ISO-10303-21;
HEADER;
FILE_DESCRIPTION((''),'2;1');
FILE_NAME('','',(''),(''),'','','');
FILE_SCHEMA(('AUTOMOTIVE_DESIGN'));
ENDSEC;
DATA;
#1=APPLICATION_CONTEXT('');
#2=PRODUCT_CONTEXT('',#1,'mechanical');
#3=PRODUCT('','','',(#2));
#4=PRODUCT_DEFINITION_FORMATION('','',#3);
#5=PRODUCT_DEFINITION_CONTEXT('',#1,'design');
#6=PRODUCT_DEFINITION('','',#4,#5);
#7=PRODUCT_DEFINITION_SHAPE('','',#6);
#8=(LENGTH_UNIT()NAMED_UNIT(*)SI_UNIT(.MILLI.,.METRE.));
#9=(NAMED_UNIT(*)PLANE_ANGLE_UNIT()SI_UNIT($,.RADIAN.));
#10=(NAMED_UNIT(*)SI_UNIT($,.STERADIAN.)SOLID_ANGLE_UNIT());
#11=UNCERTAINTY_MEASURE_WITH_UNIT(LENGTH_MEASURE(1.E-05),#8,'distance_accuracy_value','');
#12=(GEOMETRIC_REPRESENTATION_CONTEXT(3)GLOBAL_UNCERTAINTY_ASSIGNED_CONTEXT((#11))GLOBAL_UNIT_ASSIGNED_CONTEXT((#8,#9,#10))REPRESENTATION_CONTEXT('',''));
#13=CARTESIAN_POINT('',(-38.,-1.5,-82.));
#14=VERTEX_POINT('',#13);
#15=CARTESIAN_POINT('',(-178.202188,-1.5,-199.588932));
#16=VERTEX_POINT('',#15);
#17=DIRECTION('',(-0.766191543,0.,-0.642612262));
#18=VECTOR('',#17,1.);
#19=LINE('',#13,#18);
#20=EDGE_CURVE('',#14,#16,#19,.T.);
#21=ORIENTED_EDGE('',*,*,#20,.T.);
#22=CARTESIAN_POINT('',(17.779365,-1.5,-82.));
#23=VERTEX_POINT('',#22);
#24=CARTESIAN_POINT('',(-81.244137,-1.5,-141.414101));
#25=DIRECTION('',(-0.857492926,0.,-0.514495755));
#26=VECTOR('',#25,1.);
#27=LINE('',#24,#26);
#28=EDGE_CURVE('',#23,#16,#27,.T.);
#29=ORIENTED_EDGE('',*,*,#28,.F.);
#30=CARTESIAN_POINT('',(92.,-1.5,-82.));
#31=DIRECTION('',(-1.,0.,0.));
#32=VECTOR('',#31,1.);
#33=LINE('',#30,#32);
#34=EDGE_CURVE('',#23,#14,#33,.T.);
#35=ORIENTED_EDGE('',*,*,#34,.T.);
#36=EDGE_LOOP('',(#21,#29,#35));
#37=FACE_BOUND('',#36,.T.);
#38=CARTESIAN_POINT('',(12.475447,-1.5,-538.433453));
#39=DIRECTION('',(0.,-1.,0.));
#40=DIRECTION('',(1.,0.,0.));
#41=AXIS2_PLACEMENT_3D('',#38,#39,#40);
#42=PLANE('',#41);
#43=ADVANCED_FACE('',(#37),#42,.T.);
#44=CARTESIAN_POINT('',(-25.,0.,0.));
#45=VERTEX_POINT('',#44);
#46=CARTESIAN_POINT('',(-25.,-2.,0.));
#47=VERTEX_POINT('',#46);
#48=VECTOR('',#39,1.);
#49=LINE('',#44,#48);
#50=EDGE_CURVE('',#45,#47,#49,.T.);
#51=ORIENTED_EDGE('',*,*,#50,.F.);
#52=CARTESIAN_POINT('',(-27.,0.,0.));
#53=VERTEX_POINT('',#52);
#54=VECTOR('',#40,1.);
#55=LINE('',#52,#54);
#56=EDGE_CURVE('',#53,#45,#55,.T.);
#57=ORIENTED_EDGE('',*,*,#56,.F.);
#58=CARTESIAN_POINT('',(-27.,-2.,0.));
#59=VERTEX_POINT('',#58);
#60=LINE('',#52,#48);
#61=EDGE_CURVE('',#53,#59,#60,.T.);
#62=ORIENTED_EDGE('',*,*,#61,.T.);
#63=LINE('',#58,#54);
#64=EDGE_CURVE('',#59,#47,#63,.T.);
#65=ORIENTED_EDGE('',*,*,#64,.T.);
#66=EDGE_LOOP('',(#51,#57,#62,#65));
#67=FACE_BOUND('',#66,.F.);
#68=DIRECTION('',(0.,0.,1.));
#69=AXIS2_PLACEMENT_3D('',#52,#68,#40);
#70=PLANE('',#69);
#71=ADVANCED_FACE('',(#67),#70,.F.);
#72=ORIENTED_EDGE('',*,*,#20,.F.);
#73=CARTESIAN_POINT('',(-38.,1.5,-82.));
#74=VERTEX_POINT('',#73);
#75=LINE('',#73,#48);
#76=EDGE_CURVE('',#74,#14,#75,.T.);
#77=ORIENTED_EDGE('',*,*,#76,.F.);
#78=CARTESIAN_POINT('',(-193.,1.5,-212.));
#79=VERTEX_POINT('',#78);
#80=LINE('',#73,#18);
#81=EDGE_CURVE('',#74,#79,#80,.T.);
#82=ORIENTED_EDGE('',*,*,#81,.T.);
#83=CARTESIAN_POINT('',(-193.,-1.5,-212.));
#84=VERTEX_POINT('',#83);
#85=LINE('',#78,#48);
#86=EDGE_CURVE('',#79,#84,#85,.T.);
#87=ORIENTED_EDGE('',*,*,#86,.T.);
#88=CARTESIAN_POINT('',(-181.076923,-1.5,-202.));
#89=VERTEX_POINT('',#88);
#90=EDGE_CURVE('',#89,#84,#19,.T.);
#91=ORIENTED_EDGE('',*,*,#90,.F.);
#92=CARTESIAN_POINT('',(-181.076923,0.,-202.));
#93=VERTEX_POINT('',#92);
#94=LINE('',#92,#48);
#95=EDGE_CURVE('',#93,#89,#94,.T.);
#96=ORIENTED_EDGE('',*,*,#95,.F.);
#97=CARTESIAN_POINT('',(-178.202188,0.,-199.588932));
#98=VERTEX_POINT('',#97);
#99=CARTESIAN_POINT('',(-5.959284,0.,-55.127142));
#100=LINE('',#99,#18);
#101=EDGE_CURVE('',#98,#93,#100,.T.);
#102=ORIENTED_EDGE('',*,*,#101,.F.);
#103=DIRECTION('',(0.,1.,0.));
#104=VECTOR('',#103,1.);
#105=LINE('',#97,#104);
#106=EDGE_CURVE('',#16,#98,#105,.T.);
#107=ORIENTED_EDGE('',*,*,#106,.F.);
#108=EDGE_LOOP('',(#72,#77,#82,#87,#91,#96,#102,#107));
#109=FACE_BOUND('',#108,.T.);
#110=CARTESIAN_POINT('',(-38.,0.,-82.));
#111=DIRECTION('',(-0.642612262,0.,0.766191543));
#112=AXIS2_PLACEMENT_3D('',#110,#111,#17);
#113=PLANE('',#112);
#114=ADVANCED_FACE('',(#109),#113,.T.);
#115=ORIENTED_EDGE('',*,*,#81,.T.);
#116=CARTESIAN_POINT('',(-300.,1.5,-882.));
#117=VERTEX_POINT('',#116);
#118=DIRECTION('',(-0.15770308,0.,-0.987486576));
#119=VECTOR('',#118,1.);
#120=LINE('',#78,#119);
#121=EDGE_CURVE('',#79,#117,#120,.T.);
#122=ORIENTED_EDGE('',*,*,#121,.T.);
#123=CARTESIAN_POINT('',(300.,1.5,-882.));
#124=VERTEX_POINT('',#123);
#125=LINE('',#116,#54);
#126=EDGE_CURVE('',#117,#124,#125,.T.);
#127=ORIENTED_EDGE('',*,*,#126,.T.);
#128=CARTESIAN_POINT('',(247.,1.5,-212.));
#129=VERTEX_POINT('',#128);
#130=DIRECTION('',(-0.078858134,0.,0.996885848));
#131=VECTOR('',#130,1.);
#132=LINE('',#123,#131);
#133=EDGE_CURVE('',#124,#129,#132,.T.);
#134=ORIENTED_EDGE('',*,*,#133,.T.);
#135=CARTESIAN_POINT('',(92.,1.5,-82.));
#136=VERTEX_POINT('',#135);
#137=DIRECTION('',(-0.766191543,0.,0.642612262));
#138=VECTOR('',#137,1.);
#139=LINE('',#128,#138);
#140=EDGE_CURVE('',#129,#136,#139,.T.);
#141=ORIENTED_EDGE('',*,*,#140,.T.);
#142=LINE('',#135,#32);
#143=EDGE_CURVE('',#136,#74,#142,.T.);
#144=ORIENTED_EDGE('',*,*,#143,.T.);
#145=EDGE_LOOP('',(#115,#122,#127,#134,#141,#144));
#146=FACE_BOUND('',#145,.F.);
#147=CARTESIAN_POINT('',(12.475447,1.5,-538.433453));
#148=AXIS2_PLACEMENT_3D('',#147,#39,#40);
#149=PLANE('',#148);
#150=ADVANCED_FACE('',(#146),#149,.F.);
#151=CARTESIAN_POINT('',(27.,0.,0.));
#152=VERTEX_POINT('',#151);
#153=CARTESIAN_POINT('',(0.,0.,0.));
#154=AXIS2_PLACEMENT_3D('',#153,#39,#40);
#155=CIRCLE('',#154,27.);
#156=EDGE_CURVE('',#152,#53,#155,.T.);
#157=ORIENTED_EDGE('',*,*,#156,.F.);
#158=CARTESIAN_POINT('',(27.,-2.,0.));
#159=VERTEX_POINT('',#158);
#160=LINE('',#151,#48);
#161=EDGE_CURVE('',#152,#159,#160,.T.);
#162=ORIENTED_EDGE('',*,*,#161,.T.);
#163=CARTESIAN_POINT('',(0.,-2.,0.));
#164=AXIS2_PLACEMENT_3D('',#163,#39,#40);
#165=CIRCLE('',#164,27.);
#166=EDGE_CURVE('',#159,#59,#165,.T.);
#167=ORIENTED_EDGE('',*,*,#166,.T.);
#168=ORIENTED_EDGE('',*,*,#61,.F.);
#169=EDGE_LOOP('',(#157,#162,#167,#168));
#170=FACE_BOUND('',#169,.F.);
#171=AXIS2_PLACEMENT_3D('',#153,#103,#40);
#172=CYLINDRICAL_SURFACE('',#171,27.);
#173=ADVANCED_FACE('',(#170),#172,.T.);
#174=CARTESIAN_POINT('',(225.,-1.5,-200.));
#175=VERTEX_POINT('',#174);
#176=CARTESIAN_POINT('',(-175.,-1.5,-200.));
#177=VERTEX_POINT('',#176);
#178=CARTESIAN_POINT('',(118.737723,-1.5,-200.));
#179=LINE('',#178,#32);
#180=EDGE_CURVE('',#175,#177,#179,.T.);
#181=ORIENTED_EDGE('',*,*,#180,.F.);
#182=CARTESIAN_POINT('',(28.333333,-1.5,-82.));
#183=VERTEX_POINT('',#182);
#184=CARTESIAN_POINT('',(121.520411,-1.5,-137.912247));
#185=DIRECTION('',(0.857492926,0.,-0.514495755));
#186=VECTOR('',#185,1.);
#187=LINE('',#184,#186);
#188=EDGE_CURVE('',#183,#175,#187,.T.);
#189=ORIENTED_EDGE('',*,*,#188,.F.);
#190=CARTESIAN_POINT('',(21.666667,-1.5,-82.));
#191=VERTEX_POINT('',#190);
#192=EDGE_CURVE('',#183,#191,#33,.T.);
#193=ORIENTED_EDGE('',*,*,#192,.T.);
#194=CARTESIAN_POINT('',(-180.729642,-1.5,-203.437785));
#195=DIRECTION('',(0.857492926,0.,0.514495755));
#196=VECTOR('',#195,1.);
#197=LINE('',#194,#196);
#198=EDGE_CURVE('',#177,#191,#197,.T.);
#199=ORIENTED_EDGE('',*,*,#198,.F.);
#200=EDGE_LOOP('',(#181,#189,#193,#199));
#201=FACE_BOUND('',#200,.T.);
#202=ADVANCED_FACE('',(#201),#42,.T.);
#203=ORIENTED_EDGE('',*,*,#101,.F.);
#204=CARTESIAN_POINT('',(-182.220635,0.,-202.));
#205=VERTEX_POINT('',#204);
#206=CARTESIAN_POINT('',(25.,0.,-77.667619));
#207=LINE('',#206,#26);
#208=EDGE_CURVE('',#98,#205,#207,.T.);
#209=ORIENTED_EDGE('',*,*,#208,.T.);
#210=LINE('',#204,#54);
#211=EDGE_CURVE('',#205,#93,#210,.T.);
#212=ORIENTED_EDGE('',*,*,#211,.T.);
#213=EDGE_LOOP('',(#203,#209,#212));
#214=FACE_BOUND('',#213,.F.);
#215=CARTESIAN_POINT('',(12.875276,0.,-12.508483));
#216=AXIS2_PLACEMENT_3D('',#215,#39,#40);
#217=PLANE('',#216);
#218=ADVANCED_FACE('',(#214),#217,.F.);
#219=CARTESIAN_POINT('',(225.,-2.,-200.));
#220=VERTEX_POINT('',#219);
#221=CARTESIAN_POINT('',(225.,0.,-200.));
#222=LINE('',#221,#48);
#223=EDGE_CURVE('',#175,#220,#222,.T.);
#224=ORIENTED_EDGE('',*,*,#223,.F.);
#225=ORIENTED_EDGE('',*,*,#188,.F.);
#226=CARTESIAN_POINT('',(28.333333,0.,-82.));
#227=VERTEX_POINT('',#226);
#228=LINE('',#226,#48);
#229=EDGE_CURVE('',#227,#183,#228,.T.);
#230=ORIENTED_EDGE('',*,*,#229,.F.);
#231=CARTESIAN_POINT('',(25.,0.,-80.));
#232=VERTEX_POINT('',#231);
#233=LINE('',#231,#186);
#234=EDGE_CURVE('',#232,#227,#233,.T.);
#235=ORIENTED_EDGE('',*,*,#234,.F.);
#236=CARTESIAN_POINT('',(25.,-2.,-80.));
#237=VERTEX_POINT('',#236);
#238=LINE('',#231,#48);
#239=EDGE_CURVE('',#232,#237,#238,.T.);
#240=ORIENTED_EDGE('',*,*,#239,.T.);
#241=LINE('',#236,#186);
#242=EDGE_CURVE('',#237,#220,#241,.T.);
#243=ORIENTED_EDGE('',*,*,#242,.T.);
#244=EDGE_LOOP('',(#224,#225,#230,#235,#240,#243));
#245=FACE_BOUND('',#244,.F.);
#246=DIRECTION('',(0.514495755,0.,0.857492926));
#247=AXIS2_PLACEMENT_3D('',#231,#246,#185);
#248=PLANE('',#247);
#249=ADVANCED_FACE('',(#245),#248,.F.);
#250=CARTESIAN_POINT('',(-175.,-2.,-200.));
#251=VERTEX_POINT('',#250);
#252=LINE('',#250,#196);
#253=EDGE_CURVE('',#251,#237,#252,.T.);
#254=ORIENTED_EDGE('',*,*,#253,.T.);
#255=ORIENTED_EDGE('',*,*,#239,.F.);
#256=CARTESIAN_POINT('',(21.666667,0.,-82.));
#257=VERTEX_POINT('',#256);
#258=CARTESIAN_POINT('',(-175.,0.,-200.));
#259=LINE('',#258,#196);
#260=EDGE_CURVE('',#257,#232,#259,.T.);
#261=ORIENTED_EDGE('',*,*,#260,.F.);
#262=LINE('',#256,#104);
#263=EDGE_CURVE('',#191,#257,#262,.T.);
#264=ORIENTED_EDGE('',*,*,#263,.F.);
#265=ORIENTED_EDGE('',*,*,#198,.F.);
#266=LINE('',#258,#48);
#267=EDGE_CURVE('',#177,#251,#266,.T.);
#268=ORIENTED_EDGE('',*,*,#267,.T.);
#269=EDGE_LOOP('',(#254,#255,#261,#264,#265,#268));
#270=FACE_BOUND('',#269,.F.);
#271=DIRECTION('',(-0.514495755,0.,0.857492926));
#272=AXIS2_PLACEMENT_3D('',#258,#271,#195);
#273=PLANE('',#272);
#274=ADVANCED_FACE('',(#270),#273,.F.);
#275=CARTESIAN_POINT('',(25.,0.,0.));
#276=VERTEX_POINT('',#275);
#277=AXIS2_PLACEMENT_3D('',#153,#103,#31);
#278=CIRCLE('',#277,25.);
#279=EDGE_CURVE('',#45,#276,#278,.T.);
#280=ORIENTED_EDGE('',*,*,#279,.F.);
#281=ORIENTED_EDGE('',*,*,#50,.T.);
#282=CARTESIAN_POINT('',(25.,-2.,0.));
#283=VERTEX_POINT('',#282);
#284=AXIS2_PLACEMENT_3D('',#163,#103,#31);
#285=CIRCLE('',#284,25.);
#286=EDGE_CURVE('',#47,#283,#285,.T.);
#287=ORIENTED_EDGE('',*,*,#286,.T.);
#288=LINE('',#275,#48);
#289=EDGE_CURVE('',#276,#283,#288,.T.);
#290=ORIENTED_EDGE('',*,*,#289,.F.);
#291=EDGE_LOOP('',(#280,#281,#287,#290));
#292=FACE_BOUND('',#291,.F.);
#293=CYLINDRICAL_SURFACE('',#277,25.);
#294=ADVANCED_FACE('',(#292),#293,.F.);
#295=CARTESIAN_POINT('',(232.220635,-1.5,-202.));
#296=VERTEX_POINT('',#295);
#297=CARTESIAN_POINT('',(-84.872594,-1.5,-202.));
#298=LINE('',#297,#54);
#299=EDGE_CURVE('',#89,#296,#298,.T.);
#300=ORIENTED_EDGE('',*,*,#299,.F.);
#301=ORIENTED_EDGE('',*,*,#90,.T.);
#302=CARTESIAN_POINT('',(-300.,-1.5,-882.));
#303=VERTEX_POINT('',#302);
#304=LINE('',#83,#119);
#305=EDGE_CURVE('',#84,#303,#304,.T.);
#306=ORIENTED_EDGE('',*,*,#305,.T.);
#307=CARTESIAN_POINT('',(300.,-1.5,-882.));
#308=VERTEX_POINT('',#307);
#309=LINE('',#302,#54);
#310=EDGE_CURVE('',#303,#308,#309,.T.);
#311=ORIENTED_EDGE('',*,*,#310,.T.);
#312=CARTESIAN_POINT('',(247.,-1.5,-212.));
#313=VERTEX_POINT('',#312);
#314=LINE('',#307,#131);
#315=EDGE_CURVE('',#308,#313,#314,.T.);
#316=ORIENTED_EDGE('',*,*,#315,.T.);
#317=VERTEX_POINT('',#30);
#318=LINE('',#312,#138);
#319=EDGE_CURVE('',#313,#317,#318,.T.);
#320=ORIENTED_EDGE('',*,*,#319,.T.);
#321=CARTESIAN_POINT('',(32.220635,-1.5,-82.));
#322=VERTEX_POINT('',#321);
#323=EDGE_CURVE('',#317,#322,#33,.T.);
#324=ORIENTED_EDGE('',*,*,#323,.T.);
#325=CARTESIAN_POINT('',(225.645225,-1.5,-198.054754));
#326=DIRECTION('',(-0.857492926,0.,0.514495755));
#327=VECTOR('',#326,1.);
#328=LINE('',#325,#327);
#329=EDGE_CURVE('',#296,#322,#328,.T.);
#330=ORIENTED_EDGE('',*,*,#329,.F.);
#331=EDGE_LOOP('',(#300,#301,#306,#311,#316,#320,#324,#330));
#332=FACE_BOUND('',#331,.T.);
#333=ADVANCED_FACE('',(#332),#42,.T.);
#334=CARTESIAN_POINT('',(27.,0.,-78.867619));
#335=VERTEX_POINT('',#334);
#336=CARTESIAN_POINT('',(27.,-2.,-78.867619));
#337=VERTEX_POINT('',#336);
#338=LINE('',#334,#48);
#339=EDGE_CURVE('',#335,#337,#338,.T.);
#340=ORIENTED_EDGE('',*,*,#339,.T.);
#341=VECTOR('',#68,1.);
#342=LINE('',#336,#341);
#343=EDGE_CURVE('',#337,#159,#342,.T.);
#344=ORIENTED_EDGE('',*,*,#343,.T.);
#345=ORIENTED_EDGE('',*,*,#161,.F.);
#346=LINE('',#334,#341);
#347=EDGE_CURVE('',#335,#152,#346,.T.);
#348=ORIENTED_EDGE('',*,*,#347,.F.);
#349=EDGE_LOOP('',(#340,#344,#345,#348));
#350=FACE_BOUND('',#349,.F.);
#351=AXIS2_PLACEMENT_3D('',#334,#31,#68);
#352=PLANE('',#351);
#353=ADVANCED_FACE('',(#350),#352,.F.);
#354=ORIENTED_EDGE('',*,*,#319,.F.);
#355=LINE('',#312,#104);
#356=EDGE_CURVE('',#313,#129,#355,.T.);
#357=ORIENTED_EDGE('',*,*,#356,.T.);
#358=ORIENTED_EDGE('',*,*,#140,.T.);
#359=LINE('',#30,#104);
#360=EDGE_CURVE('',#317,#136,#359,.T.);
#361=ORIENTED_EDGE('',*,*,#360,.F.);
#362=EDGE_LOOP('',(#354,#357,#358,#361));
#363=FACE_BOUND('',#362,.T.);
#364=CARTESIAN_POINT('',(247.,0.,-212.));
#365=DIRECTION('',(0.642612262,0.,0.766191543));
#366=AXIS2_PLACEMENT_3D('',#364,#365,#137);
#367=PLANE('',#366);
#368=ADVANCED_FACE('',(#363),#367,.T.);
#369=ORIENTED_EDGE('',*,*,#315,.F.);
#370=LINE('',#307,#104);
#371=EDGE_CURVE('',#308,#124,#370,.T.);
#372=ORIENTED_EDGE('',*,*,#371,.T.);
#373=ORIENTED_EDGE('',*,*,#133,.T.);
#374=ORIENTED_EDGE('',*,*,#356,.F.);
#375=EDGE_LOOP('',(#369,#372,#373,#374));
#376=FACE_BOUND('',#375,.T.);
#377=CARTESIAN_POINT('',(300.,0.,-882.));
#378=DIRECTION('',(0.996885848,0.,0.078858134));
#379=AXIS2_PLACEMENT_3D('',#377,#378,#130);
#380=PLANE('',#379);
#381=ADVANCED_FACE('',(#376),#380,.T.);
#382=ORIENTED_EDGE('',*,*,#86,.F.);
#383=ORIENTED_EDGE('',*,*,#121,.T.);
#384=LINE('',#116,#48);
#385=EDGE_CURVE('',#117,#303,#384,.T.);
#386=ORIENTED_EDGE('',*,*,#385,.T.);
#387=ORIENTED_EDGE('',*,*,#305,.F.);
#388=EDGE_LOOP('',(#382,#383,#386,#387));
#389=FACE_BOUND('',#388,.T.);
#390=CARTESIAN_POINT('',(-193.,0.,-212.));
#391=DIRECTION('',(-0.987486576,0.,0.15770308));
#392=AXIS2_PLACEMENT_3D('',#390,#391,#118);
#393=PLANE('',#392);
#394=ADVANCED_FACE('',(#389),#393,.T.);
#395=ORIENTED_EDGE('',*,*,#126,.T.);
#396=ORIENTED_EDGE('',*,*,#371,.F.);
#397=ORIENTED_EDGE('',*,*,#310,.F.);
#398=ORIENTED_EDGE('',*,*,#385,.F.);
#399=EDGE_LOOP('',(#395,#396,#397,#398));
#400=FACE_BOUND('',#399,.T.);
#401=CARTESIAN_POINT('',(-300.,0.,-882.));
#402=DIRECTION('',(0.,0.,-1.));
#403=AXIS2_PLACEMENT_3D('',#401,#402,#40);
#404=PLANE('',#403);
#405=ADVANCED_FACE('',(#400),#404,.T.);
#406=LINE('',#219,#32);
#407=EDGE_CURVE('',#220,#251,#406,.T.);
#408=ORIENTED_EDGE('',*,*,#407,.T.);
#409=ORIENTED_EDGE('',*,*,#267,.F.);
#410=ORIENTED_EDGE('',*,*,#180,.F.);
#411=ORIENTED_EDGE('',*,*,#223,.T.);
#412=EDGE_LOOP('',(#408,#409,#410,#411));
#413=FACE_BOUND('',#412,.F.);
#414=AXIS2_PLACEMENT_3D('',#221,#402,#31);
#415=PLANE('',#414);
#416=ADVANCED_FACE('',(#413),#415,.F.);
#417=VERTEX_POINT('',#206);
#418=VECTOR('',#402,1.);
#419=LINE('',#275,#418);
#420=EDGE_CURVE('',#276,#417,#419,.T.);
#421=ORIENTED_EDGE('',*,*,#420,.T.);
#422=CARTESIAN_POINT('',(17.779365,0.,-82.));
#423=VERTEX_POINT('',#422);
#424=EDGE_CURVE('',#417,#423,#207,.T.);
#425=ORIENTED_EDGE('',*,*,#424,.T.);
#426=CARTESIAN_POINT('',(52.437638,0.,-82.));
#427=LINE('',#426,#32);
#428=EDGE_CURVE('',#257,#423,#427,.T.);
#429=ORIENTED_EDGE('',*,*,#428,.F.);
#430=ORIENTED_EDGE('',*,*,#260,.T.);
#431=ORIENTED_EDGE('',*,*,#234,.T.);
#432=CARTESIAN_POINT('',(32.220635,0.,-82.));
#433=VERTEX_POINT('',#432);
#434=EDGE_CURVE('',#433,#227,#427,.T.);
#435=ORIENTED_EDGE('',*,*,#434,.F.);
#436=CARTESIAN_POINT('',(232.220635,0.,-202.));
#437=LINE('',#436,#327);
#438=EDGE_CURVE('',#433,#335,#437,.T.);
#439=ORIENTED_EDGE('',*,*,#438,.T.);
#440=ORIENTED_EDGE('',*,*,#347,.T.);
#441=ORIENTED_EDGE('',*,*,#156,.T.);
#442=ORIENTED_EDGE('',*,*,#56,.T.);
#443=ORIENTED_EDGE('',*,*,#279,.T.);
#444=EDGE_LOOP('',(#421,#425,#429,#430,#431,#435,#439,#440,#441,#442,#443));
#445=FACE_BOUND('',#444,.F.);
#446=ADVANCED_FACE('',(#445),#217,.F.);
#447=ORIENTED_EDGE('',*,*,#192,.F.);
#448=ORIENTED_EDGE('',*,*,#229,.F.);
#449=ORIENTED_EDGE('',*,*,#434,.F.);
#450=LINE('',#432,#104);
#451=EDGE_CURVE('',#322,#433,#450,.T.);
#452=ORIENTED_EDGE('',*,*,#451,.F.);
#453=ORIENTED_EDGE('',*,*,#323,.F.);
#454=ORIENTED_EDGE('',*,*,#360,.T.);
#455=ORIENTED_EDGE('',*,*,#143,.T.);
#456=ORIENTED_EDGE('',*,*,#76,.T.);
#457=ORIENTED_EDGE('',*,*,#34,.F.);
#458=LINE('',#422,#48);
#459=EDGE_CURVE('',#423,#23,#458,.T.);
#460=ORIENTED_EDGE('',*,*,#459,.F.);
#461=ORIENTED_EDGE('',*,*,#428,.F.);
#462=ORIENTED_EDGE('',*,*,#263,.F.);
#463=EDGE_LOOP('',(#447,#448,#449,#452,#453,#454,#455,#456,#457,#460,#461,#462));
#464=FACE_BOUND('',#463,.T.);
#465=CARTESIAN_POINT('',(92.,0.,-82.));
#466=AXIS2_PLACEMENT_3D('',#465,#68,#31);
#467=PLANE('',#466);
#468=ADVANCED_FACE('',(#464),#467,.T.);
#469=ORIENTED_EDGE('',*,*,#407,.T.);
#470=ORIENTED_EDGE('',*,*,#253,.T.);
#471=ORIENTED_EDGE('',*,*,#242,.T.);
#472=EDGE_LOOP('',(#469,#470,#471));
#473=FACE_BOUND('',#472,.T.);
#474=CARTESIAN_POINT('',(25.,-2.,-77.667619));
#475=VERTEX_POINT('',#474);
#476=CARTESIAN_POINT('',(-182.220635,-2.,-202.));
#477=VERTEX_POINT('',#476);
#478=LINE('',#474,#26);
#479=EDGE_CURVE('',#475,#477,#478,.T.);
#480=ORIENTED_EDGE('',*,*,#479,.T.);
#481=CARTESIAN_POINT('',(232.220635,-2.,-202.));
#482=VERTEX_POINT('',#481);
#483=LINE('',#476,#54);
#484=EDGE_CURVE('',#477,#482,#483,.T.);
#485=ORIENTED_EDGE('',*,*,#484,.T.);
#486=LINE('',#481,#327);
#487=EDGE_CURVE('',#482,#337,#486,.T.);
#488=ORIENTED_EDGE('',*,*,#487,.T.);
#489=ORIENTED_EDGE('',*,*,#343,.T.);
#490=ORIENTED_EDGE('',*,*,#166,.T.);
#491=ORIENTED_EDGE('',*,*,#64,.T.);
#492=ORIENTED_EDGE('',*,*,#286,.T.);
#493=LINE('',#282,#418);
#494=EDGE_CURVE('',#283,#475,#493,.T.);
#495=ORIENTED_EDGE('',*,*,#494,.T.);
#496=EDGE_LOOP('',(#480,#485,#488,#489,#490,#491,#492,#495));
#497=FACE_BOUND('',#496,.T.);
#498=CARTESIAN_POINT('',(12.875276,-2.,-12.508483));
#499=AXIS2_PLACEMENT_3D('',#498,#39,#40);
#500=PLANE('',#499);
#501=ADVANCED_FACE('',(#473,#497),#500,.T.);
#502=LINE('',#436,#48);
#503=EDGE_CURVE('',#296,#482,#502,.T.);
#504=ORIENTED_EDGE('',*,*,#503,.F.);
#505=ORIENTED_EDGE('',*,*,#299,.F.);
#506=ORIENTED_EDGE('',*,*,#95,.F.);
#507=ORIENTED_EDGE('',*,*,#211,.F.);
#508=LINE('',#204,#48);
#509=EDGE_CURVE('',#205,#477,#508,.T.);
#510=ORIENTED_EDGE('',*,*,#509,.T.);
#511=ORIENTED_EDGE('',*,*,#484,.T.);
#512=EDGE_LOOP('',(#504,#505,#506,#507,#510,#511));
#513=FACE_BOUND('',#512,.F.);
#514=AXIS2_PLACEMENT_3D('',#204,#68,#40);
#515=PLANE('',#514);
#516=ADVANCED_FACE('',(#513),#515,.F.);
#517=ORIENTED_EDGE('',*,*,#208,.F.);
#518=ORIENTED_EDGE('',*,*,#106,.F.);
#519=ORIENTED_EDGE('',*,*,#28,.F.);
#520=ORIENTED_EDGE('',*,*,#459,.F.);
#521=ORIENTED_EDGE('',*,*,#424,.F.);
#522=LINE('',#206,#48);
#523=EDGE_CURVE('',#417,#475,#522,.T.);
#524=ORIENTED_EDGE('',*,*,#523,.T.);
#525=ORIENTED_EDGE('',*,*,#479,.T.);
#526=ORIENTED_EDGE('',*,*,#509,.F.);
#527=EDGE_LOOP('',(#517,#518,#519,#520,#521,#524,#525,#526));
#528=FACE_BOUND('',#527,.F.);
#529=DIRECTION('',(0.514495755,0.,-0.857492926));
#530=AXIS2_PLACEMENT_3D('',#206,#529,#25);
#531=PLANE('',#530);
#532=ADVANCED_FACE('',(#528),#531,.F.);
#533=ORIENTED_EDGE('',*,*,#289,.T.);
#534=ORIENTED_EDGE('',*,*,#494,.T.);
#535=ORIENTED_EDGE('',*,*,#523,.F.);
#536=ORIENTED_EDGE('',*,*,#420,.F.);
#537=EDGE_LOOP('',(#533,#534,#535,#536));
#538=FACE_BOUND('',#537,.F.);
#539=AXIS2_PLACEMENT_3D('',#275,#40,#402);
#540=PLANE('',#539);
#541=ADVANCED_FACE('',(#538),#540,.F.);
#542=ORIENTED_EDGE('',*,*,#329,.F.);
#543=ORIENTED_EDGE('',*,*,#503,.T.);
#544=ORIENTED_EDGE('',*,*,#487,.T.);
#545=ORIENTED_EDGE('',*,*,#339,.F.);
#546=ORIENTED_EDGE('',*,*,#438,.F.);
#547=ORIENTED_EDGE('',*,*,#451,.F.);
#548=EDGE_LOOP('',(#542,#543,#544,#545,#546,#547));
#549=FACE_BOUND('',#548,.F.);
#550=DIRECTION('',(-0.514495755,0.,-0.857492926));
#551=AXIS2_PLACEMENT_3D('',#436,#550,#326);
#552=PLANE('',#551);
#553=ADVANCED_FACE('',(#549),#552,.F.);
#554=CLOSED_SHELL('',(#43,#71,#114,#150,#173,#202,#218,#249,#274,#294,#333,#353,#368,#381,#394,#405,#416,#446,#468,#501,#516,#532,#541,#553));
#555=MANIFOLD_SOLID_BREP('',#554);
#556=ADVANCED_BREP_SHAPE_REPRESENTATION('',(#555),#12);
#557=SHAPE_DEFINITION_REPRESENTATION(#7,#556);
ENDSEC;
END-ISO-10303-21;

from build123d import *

# Parameters (mm, degrees)
F1_DEPTH = 2
F3_DEPTH = 1.5


with BuildPart() as f1:
    # F0 (on Front) → F1 (new body)
    with BuildSketch(Plane.XZ):
        with BuildLine():
            Line((-27, 0), (-25, 0))
            ThreePointArc((-25, 0), (0, 25), (25, 0))
            Line((25, 0), (25, -77.667619))
            Line((25, -77.667619), (27, -78.867619))
            Line((27, -78.867619), (27, 0))
            ThreePointArc((27, 0), (0, 27), (-27, 0))
        make_face()
        Polygon((27, -78.867619), (25, -77.667619), (-182.220635, -202), (232.220635, -202), align=None)
        Polygon((-175, -200), (25, -80), (225, -200), align=None, mode=Mode.SUBTRACT)
    extrude(amount=F1_DEPTH)

    # F2 (on Front) → F3 (join, symmetric)
    with BuildSketch(Plane.XZ):
        Polygon((92, -82), (-38, -82), (-193, -212), (-300, -882), (300, -882), (247, -212), align=None)
    extrude(amount=F3_DEPTH, both=True)


solid = f1.part
